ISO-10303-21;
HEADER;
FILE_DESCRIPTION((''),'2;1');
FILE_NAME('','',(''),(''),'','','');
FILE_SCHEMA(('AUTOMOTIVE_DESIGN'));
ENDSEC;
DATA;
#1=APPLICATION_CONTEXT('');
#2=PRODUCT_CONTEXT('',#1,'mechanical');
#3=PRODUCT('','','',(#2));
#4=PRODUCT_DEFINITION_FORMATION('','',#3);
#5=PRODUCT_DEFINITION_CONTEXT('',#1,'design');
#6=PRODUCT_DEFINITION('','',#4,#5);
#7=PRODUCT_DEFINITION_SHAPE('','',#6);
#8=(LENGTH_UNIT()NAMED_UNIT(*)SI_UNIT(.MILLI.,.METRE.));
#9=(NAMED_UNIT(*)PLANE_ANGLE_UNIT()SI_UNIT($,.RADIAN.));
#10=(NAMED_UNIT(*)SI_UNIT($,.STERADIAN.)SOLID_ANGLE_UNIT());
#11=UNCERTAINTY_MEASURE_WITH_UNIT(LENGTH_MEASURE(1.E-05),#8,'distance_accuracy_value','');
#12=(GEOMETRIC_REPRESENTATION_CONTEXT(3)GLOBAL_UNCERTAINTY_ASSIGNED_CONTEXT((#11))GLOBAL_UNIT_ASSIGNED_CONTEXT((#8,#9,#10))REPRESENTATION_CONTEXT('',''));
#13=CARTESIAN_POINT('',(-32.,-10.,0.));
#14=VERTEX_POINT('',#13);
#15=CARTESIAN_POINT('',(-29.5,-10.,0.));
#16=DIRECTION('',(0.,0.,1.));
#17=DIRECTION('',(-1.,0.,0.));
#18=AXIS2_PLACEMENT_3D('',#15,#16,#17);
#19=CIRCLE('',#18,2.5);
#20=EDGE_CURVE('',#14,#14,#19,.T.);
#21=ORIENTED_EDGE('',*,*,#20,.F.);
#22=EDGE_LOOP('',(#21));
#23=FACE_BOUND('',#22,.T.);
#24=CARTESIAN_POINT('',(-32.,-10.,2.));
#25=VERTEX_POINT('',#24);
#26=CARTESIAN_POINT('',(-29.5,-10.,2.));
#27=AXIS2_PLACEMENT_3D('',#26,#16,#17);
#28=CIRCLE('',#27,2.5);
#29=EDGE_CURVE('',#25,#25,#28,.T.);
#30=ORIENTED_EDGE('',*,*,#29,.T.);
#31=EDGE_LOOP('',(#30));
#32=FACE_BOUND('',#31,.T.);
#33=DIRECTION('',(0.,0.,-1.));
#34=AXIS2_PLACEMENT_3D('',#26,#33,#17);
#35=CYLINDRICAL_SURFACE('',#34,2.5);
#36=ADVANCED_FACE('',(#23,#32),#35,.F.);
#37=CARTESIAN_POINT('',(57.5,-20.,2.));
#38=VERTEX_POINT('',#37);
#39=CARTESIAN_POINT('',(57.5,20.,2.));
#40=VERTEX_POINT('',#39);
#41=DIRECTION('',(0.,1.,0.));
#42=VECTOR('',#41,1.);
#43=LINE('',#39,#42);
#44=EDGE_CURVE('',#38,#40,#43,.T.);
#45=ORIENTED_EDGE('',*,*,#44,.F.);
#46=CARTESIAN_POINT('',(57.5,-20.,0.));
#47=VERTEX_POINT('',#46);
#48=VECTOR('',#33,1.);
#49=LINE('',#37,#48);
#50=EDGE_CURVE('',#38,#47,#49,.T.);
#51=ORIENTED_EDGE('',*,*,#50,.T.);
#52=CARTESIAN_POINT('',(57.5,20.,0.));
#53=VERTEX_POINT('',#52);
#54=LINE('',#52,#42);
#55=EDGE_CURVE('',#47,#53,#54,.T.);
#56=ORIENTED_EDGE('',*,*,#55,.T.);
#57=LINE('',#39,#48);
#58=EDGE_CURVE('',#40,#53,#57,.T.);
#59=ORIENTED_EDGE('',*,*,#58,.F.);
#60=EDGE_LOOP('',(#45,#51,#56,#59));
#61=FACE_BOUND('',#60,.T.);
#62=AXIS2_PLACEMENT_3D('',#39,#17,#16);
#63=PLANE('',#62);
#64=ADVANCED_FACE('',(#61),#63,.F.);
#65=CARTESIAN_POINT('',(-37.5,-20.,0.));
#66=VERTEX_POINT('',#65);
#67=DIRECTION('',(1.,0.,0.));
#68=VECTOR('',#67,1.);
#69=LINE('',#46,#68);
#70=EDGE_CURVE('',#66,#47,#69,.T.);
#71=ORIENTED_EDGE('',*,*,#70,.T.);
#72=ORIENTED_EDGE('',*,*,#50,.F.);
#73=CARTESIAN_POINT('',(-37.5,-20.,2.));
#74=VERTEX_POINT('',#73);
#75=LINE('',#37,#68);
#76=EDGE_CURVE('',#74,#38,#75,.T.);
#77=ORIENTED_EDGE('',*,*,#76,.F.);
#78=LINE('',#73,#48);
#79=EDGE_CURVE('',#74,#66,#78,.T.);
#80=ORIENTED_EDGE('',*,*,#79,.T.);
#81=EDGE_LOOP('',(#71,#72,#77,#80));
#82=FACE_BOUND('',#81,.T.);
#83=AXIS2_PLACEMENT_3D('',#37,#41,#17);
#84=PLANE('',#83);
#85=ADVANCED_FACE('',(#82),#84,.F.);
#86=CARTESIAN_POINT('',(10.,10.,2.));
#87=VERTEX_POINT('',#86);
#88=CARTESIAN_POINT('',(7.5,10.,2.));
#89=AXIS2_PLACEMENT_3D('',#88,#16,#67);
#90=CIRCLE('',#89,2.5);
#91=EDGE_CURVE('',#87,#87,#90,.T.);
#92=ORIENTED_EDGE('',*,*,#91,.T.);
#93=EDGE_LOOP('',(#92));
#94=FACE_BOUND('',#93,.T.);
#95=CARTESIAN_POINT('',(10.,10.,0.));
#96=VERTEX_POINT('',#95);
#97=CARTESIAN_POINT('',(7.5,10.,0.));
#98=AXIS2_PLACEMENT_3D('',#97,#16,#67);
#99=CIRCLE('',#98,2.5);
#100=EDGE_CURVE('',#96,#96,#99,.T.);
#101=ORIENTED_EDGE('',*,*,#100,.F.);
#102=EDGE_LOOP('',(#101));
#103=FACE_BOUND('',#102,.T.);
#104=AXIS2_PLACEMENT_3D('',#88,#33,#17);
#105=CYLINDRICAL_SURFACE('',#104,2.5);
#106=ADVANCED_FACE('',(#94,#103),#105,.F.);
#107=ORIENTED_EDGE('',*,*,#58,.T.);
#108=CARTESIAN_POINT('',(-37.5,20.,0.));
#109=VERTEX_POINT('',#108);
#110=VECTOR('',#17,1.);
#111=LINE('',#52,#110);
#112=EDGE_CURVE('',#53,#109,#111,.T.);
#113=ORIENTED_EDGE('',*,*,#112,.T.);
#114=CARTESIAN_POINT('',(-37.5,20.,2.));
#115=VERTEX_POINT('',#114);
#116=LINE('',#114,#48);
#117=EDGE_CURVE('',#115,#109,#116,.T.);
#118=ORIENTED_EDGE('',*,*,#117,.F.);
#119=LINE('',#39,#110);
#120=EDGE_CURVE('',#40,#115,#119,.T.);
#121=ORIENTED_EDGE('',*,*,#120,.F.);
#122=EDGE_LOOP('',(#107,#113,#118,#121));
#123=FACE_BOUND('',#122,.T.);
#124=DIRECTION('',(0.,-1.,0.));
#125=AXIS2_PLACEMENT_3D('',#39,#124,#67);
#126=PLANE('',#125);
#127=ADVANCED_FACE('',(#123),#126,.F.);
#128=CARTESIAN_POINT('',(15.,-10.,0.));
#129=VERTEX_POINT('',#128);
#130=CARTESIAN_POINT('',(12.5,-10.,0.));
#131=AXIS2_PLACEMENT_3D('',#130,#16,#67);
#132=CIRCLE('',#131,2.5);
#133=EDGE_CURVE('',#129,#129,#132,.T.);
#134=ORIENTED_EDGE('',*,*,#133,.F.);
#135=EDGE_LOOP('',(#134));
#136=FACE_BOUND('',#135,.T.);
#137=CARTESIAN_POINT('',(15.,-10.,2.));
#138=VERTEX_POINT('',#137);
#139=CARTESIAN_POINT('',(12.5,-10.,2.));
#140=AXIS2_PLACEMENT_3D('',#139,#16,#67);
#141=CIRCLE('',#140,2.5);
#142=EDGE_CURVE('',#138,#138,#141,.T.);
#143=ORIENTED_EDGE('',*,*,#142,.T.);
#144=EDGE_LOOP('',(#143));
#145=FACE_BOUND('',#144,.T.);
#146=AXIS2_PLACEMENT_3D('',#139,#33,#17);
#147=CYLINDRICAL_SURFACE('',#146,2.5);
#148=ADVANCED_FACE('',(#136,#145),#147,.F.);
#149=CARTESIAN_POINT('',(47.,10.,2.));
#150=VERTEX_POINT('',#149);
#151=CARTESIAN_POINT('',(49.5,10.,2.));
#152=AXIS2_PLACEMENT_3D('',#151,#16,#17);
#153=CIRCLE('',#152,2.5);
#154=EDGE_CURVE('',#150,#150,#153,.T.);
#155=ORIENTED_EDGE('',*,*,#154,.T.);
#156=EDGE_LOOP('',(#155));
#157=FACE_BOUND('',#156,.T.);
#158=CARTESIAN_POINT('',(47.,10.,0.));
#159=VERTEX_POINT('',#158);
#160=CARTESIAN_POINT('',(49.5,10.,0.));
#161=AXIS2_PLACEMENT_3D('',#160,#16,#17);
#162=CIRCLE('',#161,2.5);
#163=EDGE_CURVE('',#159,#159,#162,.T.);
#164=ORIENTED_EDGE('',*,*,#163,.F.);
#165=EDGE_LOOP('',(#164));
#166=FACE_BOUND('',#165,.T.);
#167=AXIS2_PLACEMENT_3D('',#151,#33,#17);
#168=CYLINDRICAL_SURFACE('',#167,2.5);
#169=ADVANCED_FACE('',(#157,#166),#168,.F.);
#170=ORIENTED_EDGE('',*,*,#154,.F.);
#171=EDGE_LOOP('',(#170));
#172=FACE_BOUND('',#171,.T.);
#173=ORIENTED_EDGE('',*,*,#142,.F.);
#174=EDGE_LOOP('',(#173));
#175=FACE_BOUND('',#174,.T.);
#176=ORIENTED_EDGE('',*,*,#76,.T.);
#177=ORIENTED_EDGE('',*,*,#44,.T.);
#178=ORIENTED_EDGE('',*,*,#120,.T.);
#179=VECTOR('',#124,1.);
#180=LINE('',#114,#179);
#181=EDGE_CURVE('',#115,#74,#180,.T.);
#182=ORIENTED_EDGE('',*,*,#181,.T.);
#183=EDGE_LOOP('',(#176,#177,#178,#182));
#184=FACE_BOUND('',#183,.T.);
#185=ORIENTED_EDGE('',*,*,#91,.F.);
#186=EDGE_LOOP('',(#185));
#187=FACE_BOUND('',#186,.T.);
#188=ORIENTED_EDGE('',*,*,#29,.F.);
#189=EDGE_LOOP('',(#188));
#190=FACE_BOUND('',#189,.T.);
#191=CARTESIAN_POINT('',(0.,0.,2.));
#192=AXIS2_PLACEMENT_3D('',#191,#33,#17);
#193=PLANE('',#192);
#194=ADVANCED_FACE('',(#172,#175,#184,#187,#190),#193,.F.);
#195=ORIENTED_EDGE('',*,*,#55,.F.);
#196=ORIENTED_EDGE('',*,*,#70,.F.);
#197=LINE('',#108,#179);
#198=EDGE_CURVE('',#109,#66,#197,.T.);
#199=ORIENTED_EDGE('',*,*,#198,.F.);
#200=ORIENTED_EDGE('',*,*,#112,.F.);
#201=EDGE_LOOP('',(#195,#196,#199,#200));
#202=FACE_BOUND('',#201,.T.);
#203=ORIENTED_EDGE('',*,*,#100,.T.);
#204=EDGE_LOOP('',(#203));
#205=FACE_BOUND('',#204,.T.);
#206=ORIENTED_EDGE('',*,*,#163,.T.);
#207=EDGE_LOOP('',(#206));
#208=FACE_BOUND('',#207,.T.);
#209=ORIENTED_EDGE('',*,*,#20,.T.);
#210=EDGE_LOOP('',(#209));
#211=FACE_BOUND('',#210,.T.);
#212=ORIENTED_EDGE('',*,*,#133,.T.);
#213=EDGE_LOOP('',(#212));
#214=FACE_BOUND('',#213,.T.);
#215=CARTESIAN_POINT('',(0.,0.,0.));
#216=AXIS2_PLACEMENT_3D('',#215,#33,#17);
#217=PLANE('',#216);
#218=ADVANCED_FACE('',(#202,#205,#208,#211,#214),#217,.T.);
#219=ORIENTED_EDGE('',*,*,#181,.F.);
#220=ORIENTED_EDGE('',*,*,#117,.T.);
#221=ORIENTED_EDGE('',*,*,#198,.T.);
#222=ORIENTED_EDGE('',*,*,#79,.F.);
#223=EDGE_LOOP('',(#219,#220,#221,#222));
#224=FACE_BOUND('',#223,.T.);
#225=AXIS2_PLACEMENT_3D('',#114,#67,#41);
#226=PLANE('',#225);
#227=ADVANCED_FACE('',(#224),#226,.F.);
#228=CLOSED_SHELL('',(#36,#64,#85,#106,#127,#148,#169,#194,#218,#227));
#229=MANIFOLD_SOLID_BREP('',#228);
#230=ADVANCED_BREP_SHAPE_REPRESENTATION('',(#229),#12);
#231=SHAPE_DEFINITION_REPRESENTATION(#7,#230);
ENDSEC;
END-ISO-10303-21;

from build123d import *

# Parameters (mm, degrees)
SKETCH_1_W      = 95
SKETCH_1_H      = 40
SKETCH_1_R      = 2.5
EXTRUDE_1_DEPTH = 2


with BuildPart() as part:
    # 草图1 → 凸台-拉伸1 (new body)
    with BuildSketch(Plane.XY):
        with Locations((10, 0)):
            Rectangle(SKETCH_1_W, SKETCH_1_H)
        with Locations((7.5, 10)):
            Circle(SKETCH_1_R, mode=Mode.SUBTRACT)
        with Locations((12.5, -10)):
            Circle(SKETCH_1_R, mode=Mode.SUBTRACT)
        with Locations(Location((-29.5, -10, 0), (0, 0, 180))):
            Circle(SKETCH_1_R, mode=Mode.SUBTRACT)
        with Locations(Location((49.5, 10, 0), (0, 0, 180))):
            Circle(SKETCH_1_R, mode=Mode.SUBTRACT)
    extrude(amount=EXTRUDE_1_DEPTH)


solid = part.part
